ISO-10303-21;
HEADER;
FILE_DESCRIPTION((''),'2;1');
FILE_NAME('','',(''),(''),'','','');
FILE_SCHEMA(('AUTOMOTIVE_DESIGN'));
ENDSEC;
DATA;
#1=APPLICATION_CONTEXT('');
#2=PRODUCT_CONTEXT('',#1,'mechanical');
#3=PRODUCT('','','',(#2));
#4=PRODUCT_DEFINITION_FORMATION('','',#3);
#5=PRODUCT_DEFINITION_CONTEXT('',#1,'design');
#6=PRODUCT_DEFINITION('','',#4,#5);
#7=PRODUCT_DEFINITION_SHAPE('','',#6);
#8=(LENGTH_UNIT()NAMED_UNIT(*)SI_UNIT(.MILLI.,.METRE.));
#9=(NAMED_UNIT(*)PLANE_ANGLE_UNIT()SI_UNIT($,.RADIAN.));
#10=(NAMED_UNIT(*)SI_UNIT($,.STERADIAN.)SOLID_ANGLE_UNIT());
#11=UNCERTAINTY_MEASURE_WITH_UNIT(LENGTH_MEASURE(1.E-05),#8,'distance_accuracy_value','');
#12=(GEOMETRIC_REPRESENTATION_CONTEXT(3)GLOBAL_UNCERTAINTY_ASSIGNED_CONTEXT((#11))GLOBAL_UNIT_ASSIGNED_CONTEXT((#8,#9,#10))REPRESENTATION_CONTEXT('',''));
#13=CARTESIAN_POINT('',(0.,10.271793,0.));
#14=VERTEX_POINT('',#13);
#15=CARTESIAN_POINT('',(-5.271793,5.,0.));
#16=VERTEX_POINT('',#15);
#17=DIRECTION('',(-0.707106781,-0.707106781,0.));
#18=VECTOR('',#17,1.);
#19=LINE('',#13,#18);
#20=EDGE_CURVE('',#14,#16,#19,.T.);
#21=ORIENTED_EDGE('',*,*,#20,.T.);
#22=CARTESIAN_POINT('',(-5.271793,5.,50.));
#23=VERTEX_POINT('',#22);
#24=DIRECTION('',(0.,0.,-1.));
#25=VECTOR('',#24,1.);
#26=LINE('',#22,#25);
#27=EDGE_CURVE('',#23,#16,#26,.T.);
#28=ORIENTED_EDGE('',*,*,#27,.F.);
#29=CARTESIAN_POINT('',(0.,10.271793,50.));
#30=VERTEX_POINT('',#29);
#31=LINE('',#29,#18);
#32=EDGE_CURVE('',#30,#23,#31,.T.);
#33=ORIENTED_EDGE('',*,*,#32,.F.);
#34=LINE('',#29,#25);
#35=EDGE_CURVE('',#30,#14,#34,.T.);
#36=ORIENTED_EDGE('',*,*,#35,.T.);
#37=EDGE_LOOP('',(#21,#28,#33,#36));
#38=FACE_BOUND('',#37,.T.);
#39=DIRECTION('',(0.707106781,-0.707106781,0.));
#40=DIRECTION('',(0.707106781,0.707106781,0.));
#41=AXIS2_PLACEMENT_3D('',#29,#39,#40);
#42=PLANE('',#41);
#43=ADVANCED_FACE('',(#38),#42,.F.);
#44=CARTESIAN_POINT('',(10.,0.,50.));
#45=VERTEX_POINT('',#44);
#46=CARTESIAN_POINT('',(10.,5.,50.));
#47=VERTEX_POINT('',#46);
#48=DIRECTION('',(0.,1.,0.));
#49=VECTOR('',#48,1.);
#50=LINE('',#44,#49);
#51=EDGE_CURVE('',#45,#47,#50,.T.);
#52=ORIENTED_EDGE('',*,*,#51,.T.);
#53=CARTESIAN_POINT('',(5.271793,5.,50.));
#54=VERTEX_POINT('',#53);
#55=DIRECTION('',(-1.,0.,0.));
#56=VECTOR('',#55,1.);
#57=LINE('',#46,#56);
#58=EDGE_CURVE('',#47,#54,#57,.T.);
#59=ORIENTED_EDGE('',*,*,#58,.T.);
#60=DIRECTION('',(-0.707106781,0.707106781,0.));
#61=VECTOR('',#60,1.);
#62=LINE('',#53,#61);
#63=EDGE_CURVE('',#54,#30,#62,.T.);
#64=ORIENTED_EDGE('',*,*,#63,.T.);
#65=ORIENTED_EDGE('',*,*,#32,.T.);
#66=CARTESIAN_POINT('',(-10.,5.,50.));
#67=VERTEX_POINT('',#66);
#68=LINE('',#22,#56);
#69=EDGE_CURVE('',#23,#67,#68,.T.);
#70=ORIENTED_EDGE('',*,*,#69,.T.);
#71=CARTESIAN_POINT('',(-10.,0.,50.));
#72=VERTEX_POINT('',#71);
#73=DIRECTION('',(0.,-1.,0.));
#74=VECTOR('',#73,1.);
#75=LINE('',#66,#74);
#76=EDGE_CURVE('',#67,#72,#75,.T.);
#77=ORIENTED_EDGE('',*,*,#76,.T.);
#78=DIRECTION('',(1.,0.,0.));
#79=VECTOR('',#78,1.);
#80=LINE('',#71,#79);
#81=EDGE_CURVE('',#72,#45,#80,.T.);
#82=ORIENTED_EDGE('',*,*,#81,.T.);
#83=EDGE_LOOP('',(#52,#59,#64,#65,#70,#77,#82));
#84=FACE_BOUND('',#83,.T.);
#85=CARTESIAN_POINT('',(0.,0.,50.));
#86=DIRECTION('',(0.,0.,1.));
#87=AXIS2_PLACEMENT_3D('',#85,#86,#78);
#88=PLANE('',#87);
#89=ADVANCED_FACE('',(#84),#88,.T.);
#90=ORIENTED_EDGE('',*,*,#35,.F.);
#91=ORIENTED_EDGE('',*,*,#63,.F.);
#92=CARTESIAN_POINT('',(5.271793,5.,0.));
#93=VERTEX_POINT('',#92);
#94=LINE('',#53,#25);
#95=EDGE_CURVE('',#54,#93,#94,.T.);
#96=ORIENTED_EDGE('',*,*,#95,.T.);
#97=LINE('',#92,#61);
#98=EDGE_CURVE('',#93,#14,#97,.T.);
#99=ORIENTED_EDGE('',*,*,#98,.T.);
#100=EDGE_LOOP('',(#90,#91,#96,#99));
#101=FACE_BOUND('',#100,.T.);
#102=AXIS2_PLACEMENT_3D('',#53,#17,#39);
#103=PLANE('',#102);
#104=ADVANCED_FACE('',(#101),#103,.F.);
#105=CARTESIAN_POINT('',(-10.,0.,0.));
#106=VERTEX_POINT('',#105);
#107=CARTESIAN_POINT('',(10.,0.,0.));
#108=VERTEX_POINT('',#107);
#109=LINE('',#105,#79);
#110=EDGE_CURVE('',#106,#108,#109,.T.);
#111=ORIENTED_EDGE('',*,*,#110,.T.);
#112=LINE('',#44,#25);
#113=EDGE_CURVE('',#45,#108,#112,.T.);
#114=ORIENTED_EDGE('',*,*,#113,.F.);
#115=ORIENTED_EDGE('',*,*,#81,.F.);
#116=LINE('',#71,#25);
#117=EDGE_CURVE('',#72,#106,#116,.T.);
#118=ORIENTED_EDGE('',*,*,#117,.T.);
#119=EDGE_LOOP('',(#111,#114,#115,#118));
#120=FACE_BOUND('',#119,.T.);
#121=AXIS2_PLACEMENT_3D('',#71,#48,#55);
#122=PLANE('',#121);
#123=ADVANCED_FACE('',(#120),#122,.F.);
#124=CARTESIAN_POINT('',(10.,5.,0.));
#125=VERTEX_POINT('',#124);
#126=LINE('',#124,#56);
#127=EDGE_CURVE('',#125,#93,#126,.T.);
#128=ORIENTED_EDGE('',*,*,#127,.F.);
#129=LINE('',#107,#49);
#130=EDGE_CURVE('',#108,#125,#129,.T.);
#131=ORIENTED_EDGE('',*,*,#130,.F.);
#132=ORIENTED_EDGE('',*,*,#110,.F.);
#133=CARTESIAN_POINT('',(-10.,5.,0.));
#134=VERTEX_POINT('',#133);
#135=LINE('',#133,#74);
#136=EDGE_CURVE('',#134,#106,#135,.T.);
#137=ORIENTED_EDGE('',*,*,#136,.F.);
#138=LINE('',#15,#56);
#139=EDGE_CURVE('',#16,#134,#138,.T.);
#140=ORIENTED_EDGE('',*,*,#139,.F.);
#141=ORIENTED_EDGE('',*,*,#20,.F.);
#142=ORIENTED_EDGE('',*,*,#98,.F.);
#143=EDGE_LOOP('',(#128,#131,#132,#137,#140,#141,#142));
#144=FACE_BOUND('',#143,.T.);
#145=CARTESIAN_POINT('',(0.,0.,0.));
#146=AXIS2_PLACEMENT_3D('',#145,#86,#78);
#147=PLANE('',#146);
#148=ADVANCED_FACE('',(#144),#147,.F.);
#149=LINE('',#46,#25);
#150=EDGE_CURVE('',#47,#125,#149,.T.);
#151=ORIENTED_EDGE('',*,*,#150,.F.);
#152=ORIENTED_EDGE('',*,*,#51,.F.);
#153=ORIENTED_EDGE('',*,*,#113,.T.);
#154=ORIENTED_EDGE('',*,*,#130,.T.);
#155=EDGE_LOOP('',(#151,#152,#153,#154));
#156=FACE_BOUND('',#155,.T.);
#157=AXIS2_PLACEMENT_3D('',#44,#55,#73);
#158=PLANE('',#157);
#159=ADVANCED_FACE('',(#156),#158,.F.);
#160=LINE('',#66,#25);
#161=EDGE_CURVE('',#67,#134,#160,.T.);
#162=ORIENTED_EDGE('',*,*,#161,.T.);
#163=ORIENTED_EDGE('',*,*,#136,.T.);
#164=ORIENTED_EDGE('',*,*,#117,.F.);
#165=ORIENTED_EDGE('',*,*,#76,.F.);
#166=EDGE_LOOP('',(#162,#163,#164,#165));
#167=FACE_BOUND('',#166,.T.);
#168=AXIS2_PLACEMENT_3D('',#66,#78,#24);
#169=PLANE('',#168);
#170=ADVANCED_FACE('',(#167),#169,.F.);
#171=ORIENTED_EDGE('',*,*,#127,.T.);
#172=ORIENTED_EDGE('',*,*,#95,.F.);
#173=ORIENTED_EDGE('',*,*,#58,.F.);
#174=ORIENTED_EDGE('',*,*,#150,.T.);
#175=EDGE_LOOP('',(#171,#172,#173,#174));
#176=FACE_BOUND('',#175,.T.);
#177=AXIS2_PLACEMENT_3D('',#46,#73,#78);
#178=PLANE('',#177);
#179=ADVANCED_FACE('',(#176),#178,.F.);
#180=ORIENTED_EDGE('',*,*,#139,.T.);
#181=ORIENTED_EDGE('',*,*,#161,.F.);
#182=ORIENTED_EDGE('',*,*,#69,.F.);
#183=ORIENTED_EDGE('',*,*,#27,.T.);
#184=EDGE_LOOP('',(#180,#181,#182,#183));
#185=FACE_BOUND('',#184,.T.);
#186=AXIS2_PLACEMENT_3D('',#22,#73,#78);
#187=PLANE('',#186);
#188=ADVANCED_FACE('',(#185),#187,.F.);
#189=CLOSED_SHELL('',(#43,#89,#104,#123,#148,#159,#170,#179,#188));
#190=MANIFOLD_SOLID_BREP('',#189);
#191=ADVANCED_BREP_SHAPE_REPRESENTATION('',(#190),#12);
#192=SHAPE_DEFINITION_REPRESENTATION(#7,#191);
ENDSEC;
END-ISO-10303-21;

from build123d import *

# Parameters (mm, degrees)
BOSS_EXTRUDE1_DEPTH = 50


with BuildPart() as part:
    # Sketch1 → Boss-Extrude1 (new body)
    with BuildSketch(Plane.XY):
        Polygon((10, 0), (10, 5), (5.271792579, 5), (0, 10.271792579), (-5.271792579, 5), (-10, 5), (-10, 0), align=None)
    extrude(amount=BOSS_EXTRUDE1_DEPTH)


solid = part.part
